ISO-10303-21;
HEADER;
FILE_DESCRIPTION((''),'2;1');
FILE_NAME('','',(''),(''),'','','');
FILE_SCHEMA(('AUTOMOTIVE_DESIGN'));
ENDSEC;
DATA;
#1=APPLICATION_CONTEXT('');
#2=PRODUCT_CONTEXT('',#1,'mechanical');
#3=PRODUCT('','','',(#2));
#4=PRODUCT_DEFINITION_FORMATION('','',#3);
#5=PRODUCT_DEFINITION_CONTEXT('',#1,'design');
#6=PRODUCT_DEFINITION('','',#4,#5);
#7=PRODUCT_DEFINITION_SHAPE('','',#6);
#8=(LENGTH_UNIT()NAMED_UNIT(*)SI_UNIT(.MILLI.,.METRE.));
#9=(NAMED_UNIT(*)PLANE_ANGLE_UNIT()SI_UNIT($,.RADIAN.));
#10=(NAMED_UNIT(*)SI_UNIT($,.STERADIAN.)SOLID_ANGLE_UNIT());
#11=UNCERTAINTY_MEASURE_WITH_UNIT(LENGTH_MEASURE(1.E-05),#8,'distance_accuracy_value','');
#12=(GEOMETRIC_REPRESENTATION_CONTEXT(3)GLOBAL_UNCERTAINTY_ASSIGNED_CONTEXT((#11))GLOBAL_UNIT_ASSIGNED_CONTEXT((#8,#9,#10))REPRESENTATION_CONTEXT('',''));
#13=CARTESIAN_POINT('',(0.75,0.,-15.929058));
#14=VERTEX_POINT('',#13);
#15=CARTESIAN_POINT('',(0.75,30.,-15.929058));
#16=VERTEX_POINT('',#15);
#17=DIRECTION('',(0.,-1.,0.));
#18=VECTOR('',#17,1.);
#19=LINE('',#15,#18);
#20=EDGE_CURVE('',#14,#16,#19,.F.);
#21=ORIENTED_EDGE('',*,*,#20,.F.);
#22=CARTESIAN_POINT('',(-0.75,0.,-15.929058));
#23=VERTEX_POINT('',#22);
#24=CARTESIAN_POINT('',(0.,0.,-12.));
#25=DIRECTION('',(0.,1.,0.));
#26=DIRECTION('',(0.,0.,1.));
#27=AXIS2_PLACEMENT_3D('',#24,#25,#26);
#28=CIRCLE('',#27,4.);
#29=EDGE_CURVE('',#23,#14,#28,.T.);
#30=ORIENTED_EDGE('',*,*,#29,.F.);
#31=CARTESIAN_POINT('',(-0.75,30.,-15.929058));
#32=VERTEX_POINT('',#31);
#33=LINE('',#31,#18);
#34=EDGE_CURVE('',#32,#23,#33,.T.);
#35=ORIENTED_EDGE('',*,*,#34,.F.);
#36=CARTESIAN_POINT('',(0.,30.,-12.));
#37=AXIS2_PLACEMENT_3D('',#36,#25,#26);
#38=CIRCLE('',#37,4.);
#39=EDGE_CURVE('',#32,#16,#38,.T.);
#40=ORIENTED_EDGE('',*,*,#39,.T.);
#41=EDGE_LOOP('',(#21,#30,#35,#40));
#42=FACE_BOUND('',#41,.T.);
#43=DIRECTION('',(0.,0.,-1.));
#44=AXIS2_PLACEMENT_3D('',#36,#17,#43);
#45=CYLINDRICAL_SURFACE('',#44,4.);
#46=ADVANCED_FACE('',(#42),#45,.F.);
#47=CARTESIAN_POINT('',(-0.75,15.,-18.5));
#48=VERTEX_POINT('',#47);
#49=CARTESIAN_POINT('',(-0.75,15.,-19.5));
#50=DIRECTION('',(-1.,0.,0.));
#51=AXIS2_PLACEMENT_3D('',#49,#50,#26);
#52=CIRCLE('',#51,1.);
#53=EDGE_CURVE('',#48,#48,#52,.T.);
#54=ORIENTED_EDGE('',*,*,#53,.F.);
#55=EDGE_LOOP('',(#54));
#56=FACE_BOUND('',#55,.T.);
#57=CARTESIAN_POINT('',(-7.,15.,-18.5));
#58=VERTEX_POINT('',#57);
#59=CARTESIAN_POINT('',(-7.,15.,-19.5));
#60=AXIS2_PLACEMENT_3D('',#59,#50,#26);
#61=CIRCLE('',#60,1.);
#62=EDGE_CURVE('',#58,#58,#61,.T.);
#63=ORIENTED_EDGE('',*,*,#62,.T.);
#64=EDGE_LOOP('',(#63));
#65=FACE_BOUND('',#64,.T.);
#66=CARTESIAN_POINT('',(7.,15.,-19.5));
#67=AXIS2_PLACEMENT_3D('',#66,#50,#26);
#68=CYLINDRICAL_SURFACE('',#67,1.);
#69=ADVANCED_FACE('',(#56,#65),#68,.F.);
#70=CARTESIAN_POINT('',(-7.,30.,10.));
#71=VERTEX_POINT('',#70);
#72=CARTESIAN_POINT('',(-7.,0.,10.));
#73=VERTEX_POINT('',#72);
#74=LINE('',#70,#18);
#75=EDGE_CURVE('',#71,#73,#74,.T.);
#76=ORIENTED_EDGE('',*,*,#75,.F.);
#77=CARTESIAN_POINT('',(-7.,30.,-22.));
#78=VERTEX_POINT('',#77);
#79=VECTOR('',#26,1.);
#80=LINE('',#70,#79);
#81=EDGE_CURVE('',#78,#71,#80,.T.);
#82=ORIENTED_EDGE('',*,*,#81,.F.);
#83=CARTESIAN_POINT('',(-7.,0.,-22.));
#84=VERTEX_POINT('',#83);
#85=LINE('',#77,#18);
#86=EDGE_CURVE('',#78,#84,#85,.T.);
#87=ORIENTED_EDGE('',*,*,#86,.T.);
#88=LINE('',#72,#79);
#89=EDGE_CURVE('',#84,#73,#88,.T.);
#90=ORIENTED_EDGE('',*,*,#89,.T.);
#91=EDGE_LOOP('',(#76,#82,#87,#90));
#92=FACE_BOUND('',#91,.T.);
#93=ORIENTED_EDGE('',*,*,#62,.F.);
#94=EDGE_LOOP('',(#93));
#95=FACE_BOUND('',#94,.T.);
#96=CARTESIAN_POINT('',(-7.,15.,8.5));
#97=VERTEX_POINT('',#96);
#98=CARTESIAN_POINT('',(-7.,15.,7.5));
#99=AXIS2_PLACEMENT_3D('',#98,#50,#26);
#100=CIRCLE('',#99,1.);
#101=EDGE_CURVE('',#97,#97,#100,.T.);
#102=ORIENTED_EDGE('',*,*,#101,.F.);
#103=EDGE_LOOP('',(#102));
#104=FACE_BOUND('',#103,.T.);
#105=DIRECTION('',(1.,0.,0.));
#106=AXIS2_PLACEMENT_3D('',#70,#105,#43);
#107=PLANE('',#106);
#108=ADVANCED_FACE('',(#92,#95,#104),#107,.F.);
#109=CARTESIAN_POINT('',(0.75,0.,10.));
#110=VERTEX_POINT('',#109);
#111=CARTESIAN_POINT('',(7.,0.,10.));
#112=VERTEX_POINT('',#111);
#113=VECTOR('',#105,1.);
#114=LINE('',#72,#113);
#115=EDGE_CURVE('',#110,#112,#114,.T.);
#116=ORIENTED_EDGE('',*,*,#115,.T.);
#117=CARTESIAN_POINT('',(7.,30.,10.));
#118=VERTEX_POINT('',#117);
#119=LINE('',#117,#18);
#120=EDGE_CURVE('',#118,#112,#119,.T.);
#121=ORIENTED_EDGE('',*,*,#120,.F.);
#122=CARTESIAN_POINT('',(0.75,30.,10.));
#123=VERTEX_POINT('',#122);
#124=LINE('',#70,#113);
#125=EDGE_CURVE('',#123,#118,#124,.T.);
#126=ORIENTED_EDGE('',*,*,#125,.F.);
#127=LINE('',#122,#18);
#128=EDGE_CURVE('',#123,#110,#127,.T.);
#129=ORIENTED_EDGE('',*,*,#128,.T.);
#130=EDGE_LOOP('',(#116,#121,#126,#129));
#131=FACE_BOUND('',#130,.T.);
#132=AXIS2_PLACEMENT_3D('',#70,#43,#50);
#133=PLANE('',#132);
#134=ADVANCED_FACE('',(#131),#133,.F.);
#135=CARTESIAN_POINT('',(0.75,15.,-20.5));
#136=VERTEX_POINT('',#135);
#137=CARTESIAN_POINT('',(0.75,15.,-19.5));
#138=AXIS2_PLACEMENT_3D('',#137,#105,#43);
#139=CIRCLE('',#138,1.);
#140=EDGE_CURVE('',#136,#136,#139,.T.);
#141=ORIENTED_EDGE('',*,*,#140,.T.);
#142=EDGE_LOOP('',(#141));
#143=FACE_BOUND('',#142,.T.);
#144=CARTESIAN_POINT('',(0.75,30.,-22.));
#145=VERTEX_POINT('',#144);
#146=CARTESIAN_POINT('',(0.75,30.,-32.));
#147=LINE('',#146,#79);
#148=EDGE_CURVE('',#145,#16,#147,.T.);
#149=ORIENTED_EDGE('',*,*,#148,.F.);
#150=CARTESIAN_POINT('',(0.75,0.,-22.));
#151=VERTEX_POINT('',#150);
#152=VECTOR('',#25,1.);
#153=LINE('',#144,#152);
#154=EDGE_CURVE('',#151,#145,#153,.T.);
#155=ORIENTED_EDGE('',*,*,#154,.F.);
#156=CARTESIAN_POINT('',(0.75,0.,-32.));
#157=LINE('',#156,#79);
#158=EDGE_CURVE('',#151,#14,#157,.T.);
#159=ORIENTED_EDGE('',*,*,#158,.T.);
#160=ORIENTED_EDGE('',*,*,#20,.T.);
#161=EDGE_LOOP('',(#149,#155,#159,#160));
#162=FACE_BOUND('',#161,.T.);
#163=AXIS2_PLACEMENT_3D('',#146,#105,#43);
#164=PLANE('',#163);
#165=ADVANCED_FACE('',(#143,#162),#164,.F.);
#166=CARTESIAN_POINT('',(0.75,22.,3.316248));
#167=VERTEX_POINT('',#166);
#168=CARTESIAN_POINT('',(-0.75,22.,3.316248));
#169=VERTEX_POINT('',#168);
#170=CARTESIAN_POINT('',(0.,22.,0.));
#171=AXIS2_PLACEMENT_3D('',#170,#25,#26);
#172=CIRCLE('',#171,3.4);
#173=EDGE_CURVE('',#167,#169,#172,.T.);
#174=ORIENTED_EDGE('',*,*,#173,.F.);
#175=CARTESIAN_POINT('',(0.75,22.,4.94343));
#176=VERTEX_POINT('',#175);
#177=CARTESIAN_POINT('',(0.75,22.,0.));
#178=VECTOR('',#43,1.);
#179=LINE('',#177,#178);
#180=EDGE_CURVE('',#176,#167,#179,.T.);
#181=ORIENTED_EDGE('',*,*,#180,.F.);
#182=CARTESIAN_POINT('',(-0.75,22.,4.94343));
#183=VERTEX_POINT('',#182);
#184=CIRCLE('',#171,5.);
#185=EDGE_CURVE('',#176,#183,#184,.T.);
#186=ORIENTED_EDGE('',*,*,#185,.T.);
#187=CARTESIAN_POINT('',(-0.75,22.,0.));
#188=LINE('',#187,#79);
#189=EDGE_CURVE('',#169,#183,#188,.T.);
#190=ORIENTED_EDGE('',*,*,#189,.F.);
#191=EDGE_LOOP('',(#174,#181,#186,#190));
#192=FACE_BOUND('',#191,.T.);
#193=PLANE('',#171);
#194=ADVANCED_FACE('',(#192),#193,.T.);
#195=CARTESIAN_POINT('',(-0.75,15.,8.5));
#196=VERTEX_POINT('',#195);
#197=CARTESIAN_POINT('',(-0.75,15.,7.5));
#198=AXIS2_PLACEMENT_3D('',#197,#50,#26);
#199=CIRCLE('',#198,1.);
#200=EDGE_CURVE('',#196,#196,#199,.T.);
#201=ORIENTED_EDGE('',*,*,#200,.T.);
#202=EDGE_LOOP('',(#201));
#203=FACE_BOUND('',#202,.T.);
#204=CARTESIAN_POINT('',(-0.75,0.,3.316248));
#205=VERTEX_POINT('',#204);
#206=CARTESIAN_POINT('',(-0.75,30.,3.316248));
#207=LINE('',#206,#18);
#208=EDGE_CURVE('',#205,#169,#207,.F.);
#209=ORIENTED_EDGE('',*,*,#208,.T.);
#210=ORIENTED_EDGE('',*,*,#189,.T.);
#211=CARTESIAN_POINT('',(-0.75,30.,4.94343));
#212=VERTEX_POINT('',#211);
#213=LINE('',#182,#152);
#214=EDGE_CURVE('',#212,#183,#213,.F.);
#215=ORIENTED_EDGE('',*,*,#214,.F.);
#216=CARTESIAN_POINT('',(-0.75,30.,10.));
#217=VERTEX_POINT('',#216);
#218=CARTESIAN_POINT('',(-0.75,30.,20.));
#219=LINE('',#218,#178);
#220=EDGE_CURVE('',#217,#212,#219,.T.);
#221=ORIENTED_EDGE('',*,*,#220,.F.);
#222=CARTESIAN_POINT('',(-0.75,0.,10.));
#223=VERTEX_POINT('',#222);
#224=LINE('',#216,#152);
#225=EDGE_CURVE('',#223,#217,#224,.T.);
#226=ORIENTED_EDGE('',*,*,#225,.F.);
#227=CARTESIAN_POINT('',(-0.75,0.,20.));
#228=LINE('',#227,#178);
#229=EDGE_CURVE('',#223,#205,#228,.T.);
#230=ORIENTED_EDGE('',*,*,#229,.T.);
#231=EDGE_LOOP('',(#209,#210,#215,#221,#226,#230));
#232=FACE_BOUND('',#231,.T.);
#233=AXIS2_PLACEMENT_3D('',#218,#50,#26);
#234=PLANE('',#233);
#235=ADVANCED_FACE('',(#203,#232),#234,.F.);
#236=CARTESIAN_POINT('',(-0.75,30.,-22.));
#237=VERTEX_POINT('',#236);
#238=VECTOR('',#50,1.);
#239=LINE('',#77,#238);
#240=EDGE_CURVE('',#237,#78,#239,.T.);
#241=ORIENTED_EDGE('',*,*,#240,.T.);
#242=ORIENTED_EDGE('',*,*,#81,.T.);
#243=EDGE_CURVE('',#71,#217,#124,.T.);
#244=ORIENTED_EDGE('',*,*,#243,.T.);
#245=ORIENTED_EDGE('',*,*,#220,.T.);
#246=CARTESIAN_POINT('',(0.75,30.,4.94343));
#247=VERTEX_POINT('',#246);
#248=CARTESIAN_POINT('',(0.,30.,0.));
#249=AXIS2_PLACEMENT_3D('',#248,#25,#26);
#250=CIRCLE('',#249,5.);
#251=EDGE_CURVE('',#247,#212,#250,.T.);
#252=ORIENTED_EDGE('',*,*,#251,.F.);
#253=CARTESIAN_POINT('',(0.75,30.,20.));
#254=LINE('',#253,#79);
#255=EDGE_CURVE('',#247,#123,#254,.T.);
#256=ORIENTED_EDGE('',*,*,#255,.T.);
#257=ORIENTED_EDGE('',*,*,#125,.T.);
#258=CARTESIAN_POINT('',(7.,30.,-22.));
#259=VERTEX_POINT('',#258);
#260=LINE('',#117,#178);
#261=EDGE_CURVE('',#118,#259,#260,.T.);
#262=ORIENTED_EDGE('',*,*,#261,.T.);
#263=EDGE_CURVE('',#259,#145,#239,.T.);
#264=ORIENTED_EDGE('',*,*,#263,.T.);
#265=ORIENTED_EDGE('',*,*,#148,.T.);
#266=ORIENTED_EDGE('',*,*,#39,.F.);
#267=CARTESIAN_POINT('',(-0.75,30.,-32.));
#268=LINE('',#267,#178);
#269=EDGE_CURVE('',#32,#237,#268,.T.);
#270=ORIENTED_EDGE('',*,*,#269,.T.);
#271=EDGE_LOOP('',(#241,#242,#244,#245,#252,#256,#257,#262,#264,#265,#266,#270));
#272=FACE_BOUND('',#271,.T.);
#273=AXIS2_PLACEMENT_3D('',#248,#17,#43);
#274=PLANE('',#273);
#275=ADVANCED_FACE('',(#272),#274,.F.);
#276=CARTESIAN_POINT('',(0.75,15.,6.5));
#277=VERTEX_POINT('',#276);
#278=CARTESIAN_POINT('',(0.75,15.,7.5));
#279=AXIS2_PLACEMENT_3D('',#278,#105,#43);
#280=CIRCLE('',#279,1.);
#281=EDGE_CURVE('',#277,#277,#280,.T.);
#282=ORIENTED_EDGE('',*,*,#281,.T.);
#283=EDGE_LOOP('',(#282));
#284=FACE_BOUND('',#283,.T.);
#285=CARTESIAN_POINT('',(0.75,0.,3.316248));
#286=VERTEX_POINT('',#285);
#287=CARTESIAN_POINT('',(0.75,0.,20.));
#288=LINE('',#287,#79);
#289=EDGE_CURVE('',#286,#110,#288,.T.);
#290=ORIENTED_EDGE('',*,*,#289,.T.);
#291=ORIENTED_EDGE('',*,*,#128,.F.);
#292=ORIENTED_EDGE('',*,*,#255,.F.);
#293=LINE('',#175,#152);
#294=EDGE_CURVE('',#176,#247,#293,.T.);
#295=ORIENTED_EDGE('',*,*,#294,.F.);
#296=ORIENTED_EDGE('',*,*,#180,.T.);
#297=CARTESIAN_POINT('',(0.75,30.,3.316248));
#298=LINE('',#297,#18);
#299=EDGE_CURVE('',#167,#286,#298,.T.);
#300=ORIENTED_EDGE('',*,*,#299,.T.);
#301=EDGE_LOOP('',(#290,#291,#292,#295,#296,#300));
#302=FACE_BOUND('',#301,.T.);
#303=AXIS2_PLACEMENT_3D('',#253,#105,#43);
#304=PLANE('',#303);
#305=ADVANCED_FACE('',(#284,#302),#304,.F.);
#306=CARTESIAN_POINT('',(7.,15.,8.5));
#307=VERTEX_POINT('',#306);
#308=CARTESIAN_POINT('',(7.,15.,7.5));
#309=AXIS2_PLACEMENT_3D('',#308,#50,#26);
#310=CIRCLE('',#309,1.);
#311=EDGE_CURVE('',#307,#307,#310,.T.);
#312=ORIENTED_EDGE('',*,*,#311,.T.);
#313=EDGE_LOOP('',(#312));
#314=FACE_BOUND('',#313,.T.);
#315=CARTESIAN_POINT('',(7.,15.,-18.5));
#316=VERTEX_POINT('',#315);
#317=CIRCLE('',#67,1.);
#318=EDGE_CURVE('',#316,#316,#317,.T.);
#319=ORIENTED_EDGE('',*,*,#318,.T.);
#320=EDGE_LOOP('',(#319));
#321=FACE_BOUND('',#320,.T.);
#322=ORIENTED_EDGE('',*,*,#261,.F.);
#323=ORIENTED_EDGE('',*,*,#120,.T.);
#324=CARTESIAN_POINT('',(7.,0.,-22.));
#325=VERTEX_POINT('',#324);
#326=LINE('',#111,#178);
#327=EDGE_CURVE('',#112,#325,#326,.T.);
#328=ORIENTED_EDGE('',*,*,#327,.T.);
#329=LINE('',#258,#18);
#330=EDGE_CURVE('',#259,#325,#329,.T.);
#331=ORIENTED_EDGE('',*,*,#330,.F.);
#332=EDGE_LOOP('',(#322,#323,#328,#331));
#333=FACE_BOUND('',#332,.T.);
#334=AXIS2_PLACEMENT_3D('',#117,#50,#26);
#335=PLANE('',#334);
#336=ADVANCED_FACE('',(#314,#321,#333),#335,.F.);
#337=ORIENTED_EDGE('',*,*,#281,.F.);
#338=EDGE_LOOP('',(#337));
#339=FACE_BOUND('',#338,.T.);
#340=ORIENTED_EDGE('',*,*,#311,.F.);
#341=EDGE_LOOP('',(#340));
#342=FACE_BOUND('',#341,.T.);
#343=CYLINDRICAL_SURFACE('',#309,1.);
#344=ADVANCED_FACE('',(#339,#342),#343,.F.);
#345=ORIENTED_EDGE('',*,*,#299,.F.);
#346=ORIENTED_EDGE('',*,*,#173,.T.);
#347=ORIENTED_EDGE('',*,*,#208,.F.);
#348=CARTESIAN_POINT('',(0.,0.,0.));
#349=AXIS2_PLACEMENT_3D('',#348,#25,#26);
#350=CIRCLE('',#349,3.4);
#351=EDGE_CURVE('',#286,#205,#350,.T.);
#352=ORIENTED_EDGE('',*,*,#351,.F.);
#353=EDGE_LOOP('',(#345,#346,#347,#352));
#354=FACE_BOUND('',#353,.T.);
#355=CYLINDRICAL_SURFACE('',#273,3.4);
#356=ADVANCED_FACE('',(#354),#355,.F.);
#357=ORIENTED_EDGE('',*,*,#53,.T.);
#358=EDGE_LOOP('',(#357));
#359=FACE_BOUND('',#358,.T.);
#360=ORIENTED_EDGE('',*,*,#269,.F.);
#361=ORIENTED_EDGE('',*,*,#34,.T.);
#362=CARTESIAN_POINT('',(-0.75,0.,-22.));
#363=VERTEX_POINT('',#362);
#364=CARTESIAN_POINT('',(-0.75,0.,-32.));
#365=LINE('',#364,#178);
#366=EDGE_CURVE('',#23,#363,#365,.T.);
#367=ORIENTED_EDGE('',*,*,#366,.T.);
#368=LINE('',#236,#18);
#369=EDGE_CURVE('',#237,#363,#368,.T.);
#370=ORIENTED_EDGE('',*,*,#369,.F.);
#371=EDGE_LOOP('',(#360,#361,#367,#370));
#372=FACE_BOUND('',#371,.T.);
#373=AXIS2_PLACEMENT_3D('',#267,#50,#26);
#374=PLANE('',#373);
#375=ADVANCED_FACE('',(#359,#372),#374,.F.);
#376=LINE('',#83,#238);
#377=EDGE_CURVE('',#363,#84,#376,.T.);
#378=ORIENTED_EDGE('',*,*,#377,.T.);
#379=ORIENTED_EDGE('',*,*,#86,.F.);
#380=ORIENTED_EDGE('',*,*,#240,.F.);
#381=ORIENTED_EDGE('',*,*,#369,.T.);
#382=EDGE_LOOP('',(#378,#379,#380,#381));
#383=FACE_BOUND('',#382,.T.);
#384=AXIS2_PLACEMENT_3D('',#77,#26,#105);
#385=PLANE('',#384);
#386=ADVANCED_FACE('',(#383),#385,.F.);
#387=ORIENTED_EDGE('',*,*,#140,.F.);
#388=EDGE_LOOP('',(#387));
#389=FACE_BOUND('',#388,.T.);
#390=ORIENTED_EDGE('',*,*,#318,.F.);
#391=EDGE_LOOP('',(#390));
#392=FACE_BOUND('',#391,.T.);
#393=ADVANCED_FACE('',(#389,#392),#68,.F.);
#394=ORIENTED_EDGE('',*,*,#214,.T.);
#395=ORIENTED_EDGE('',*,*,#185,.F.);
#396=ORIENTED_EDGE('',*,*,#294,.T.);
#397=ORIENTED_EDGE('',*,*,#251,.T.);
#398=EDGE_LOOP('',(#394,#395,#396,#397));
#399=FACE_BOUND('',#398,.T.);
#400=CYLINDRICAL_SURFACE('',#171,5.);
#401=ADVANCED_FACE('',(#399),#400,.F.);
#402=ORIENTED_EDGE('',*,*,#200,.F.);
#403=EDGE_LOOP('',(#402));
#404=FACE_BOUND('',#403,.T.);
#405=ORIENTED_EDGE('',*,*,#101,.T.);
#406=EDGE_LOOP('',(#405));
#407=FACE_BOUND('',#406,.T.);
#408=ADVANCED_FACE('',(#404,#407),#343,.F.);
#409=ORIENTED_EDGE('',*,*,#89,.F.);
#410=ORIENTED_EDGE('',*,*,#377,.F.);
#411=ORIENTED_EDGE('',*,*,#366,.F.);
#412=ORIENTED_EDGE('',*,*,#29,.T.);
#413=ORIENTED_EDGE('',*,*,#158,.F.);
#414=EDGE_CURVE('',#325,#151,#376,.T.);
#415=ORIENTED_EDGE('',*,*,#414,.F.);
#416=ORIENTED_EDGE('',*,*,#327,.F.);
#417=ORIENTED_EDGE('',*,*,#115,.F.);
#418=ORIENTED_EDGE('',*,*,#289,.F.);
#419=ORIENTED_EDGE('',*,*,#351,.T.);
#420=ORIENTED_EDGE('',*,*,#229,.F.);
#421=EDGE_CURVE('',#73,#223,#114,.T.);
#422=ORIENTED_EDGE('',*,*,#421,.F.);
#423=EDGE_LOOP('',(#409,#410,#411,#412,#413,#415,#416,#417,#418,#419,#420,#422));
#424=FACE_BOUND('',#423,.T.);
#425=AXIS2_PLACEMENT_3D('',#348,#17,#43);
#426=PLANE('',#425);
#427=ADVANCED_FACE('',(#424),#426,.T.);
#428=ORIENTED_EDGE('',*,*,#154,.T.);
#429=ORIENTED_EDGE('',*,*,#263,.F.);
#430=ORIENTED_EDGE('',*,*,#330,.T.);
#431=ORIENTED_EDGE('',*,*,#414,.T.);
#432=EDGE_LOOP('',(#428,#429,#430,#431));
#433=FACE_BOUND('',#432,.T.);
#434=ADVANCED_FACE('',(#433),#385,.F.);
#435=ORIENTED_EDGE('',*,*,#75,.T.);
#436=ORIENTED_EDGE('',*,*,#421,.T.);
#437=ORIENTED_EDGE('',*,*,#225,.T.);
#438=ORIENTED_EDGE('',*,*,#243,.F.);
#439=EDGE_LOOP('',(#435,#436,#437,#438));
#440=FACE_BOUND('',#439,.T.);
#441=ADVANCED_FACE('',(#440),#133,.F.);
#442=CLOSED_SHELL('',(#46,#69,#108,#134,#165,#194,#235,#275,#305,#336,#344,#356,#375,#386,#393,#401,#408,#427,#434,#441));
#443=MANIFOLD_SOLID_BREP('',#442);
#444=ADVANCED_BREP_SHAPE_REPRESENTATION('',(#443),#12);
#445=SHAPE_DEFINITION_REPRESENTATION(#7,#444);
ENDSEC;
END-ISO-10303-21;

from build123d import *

# Parameters (mm, degrees)
SKETCH1_W           = 14
SKETCH1_H           = 32
SKETCH1_R           = 3.4
SKETCH1_R_2         = 4
BOSS_EXTRUDE1_DEPTH = 30
SKETCH2_R           = 5
CUT_EXTRUDE1_DEPTH  = 8
SKETCH3_W           = 1.5
SKETCH3_H           = 20
CUT_EXTRUDE2_DEPTH  = 38.854986461
SKETCH4_R           = 1
CUT_EXTRUDE3_DEPTH  = 40.749213829


with BuildPart() as part:
    # Sketch1 → Boss-Extrude1 (new body)
    with BuildSketch(Plane(origin=(0, 0, 0), x_dir=(1, 0, 0), z_dir=(0, 1, 0))):
        with Locations((0, 6)):
            Rectangle(SKETCH1_W, SKETCH1_H)
        with Locations(Location((0, 0, 0), (0, 0, 270))):
            Circle(SKETCH1_R, mode=Mode.SUBTRACT)
        with Locations(Location((0, 12, 0), (0, 0, 270))):
            Circle(SKETCH1_R_2, mode=Mode.SUBTRACT)
    extrude(amount=BOSS_EXTRUDE1_DEPTH)

    # Sketch2 → Cut-Extrude1 (cut)
    with BuildSketch(Plane(origin=(0, 30, 0), x_dir=(1, 0, 0), z_dir=(0, 1, 0))):
        with Locations(Location((0, 0, 0), (0, 0, 270))):
            Circle(SKETCH2_R)
    extrude(amount=-CUT_EXTRUDE1_DEPTH, mode=Mode.SUBTRACT)

    # Sketch3 → Cut-Extrude2 (cut, through all)
    with BuildSketch(Plane.XZ):
        with Locations((0, 10)):
            Rectangle(SKETCH3_W, SKETCH3_H)
        with Locations((0, -22)):
            Rectangle(SKETCH3_W, SKETCH3_H)
    extrude(amount=-CUT_EXTRUDE2_DEPTH, mode=Mode.SUBTRACT)

    # Sketch4 → Cut-Extrude3 (cut, through all)
    with BuildSketch(Plane.ZY.offset(7)):
        with Locations((7.5, 15)):
            Circle(SKETCH4_R)
        with Locations((-19.5, 15)):
            Circle(SKETCH4_R)
    extrude(amount=-CUT_EXTRUDE3_DEPTH, mode=Mode.SUBTRACT)


solid = part.part
